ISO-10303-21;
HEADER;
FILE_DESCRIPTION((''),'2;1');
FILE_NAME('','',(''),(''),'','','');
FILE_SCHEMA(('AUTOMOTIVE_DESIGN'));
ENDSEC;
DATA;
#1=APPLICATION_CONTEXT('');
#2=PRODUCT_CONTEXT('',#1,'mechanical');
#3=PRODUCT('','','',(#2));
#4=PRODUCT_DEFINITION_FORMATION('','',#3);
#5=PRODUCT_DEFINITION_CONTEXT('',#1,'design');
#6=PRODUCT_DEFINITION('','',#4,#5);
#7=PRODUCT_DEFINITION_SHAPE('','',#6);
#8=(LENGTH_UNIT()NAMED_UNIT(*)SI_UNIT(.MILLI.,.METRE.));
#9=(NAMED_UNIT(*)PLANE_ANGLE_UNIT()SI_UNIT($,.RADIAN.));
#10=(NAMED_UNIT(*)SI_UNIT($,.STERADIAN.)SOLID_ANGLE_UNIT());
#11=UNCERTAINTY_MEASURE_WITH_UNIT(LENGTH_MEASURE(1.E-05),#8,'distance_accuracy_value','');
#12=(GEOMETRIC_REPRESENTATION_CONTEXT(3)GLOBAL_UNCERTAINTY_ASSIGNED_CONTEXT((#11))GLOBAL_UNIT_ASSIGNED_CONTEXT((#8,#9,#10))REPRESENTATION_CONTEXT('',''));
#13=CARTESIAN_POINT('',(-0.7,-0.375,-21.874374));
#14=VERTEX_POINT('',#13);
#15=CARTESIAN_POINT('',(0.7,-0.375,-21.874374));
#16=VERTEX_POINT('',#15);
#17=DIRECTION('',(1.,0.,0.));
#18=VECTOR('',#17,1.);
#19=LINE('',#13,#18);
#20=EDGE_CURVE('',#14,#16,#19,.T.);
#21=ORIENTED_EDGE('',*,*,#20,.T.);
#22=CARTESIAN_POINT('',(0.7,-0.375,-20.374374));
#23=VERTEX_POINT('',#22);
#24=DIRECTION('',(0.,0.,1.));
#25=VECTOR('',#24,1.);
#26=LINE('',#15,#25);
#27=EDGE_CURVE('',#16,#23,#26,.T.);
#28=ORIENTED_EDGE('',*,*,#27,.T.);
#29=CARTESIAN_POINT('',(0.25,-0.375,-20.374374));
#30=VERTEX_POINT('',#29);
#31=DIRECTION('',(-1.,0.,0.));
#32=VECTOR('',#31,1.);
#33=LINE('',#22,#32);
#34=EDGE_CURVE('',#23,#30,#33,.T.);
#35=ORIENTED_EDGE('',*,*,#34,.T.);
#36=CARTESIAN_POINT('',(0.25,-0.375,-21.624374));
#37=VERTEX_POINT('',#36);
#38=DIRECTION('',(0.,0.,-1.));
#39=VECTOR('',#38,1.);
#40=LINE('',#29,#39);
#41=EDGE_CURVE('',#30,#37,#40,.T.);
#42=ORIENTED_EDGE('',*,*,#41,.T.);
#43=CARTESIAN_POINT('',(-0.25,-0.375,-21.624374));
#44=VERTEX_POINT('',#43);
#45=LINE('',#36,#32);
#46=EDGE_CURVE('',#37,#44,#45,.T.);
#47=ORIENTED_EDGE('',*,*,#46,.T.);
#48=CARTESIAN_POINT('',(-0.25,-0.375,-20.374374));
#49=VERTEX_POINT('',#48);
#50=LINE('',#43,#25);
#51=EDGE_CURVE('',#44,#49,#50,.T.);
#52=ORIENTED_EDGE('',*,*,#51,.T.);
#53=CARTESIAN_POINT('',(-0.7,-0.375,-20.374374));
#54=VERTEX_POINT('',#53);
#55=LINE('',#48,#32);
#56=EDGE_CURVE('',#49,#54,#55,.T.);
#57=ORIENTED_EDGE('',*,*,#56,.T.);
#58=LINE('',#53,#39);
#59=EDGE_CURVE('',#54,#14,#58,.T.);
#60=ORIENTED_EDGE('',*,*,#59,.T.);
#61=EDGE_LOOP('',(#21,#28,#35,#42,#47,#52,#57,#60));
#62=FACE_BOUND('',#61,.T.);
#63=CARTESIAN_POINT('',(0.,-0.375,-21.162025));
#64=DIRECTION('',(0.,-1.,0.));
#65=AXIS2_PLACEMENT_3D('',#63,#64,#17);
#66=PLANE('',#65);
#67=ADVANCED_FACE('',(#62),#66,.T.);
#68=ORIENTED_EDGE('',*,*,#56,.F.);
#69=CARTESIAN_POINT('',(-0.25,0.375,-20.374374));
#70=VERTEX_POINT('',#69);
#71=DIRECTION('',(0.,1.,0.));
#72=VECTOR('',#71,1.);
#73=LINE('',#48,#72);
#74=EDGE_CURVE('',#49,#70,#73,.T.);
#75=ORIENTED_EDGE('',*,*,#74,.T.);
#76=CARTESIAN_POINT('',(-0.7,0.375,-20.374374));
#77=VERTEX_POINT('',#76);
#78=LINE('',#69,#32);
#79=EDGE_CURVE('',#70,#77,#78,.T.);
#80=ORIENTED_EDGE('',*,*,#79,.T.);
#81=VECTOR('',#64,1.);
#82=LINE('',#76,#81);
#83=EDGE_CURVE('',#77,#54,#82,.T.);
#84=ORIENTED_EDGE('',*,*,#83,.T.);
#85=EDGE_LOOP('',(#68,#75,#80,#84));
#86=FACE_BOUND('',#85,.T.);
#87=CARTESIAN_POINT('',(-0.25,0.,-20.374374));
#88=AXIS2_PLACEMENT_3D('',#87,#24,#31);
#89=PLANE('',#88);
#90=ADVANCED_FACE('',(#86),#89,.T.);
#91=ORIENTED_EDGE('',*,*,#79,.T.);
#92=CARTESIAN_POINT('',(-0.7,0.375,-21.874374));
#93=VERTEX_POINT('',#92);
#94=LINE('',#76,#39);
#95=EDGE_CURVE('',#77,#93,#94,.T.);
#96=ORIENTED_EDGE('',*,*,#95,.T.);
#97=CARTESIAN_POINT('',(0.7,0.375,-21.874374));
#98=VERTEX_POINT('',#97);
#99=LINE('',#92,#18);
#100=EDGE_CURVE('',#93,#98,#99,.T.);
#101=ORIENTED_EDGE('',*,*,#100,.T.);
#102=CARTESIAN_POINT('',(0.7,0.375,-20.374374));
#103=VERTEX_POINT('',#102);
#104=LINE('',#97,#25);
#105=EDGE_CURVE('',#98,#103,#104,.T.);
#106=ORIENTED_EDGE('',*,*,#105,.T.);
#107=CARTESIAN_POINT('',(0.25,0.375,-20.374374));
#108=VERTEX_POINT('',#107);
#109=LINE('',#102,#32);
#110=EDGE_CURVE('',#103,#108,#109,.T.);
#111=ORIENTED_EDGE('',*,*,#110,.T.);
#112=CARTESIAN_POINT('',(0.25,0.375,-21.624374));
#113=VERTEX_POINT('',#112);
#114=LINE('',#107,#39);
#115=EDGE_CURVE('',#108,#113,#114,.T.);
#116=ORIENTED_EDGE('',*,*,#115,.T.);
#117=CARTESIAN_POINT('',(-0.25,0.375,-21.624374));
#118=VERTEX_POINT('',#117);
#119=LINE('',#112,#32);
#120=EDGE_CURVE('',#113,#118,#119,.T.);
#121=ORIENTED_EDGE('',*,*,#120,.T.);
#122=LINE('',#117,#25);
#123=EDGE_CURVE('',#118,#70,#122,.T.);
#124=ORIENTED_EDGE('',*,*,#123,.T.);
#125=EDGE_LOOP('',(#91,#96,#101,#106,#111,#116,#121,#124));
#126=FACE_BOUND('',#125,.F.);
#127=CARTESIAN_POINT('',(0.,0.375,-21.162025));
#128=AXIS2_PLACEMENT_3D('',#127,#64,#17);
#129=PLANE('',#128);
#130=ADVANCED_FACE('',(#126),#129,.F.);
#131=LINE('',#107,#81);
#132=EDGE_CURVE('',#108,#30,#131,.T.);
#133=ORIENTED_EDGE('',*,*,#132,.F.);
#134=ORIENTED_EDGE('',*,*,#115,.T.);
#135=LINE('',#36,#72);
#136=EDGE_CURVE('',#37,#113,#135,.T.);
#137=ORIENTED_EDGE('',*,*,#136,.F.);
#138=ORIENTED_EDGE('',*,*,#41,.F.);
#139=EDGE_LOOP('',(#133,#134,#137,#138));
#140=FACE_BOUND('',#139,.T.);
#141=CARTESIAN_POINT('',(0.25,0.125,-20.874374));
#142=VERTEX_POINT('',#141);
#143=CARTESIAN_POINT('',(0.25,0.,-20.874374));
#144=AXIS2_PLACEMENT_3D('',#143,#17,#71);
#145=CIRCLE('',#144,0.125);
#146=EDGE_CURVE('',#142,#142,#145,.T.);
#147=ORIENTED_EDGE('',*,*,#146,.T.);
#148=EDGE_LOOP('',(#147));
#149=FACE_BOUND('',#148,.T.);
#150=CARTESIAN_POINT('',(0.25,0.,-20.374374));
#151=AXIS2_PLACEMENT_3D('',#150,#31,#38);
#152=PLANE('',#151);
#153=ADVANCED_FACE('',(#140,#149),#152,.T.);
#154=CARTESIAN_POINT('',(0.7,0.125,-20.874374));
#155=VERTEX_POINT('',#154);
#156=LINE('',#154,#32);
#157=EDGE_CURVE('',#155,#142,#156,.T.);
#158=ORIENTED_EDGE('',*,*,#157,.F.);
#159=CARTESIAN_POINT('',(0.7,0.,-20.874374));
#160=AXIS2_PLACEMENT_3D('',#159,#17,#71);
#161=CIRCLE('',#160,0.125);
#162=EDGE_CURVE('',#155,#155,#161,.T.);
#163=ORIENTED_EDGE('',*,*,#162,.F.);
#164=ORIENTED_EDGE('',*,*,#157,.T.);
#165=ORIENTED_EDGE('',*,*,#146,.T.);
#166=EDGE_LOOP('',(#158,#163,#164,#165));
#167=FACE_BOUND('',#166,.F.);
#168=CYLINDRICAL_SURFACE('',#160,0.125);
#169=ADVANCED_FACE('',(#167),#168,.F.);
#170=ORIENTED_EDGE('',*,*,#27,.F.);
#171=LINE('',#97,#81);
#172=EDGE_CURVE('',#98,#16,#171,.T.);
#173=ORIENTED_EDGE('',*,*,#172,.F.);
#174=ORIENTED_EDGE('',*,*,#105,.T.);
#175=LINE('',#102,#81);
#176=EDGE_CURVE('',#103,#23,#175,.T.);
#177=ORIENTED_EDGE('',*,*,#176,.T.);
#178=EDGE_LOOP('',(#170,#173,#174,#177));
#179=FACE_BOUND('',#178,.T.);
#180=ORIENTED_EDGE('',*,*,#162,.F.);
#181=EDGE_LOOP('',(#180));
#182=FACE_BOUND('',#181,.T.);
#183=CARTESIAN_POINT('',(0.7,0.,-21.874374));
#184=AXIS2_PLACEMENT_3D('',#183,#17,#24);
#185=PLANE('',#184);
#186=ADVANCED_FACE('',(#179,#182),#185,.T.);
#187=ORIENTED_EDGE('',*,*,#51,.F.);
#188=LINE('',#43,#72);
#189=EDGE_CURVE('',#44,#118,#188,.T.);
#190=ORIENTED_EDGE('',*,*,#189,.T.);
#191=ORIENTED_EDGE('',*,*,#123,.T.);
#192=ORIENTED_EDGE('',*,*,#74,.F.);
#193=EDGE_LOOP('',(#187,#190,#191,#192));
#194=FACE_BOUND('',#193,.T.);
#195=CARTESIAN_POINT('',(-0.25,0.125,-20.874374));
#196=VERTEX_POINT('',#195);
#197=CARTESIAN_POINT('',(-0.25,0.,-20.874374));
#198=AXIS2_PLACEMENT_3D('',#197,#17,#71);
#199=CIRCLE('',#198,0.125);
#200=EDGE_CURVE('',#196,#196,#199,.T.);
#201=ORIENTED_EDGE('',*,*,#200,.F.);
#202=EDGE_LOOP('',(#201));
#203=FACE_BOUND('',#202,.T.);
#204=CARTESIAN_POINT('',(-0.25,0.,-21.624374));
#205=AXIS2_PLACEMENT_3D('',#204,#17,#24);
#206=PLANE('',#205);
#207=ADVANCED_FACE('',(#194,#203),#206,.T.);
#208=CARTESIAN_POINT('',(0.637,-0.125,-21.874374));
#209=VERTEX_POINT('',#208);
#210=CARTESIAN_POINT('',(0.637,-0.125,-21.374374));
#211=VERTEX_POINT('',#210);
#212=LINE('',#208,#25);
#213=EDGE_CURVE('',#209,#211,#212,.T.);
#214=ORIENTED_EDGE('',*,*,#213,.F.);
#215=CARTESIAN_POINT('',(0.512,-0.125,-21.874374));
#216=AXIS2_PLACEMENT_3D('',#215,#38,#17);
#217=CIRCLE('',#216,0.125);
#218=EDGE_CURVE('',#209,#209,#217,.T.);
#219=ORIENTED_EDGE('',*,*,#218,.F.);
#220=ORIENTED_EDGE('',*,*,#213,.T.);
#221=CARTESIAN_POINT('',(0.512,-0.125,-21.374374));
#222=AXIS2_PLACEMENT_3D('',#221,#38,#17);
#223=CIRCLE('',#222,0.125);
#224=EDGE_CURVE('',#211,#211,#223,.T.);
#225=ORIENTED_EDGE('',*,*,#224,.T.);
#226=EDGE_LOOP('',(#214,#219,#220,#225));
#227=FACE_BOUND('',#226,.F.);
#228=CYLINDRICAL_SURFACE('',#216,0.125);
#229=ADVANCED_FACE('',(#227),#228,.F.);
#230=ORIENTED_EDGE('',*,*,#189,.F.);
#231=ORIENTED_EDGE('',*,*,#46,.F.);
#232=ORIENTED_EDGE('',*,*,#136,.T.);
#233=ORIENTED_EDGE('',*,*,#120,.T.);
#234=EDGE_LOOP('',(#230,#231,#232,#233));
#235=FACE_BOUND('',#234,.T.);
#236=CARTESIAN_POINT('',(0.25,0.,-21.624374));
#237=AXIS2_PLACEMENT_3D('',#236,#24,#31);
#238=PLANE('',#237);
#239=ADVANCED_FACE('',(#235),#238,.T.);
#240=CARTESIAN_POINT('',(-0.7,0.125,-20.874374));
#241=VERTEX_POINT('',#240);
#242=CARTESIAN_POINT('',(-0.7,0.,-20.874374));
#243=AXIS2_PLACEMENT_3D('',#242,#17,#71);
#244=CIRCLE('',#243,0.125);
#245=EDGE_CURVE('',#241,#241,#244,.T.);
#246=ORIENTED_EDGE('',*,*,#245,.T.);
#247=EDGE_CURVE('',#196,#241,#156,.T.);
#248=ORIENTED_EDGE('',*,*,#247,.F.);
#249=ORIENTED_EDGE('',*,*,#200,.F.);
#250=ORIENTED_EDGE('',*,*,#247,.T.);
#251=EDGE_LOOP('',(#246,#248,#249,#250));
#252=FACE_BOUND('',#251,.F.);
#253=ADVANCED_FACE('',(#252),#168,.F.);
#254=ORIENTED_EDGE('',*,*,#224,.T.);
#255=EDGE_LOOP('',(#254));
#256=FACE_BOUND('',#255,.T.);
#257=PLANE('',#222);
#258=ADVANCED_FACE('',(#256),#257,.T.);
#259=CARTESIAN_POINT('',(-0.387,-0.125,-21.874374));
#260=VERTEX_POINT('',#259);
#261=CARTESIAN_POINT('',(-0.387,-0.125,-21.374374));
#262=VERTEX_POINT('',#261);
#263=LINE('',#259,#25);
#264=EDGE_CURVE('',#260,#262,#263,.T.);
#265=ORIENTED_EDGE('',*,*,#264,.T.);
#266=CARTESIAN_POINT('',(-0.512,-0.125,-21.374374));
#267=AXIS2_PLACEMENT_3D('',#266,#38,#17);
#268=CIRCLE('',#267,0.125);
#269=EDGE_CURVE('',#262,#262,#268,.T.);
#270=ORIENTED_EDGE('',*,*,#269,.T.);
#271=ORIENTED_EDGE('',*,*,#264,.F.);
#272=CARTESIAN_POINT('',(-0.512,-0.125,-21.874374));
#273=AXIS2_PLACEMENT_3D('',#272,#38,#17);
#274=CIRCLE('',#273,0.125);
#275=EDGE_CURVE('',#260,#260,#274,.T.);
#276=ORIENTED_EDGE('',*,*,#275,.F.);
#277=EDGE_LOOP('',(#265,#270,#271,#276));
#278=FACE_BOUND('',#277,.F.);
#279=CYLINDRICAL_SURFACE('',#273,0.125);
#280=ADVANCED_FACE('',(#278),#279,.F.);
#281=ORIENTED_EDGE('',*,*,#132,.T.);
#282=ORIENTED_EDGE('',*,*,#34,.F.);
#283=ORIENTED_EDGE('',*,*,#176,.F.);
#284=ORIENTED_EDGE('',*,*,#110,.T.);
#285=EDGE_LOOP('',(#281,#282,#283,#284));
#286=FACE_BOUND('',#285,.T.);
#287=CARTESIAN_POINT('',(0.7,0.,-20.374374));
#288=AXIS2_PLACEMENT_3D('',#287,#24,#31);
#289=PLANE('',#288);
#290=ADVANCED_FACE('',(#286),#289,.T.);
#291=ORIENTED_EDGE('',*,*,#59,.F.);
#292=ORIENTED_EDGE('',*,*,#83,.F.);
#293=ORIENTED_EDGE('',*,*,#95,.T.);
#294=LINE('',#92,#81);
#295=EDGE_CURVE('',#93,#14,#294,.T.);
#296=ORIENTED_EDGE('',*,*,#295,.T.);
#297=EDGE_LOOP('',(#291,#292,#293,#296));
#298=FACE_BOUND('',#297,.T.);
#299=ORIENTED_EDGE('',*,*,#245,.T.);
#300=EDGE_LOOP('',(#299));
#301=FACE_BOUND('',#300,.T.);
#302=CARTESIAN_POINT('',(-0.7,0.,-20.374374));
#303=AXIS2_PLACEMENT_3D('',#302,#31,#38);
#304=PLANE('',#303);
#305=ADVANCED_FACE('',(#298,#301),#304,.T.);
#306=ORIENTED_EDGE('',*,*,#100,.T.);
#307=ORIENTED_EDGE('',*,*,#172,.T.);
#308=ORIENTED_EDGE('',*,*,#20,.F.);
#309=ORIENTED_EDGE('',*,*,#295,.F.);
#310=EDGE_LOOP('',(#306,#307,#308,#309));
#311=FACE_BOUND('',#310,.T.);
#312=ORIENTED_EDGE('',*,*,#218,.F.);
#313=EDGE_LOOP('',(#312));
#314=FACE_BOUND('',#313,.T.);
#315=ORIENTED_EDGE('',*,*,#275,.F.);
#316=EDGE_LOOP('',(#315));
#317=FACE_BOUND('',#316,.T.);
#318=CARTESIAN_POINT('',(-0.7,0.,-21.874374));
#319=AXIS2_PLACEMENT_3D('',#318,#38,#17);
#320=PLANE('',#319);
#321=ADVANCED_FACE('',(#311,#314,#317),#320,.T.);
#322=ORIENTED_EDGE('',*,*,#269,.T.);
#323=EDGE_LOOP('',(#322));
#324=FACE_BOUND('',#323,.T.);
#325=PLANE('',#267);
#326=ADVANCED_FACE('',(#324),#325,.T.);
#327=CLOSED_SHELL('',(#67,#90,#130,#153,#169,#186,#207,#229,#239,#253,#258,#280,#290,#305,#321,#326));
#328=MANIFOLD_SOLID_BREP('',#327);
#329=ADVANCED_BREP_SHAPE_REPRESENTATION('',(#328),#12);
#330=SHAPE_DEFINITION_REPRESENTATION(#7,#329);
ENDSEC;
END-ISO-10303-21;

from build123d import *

# Parameters (mm, degrees)
F1_DEPTH = 0.375
F2_R     = 0.125
F3_DEPTH = 25
F4_R     = 0.125
F5_DEPTH = 0.5


with BuildPart() as f1:
    # F0 (on Front) → F1 (new body, symmetric)
    with BuildSketch(Plane.XZ):
        Polygon((-0.25, -20.374374), (-0.7, -20.374374), (-0.7, -21.874374), (0.7, -21.874374), (0.7, -20.374374), (0.25, -20.374374), (0.25, -21.624374), (-0.25, -21.624374), align=None)
    extrude(amount=F1_DEPTH, both=True)

    # F2 (on face) → F3 (cut)
    with BuildSketch(Plane.YZ.offset(0.7)):
        with Locations((0, -20.874374)):
            Circle(F2_R)
    extrude(amount=-F3_DEPTH, mode=Mode.SUBTRACT)

    # F4 (on face) → F5 (cut)
    with BuildSketch(Plane(origin=(0, 0, -21.874374), x_dir=(1, 0, 0), z_dir=(0, 0, -1))):
        with Locations((0.512, 0.125)):
            Circle(F4_R)
        with Locations((-0.512, 0.125)):
            Circle(F4_R)
    extrude(amount=-F5_DEPTH, mode=Mode.SUBTRACT)


solid = f1.part
